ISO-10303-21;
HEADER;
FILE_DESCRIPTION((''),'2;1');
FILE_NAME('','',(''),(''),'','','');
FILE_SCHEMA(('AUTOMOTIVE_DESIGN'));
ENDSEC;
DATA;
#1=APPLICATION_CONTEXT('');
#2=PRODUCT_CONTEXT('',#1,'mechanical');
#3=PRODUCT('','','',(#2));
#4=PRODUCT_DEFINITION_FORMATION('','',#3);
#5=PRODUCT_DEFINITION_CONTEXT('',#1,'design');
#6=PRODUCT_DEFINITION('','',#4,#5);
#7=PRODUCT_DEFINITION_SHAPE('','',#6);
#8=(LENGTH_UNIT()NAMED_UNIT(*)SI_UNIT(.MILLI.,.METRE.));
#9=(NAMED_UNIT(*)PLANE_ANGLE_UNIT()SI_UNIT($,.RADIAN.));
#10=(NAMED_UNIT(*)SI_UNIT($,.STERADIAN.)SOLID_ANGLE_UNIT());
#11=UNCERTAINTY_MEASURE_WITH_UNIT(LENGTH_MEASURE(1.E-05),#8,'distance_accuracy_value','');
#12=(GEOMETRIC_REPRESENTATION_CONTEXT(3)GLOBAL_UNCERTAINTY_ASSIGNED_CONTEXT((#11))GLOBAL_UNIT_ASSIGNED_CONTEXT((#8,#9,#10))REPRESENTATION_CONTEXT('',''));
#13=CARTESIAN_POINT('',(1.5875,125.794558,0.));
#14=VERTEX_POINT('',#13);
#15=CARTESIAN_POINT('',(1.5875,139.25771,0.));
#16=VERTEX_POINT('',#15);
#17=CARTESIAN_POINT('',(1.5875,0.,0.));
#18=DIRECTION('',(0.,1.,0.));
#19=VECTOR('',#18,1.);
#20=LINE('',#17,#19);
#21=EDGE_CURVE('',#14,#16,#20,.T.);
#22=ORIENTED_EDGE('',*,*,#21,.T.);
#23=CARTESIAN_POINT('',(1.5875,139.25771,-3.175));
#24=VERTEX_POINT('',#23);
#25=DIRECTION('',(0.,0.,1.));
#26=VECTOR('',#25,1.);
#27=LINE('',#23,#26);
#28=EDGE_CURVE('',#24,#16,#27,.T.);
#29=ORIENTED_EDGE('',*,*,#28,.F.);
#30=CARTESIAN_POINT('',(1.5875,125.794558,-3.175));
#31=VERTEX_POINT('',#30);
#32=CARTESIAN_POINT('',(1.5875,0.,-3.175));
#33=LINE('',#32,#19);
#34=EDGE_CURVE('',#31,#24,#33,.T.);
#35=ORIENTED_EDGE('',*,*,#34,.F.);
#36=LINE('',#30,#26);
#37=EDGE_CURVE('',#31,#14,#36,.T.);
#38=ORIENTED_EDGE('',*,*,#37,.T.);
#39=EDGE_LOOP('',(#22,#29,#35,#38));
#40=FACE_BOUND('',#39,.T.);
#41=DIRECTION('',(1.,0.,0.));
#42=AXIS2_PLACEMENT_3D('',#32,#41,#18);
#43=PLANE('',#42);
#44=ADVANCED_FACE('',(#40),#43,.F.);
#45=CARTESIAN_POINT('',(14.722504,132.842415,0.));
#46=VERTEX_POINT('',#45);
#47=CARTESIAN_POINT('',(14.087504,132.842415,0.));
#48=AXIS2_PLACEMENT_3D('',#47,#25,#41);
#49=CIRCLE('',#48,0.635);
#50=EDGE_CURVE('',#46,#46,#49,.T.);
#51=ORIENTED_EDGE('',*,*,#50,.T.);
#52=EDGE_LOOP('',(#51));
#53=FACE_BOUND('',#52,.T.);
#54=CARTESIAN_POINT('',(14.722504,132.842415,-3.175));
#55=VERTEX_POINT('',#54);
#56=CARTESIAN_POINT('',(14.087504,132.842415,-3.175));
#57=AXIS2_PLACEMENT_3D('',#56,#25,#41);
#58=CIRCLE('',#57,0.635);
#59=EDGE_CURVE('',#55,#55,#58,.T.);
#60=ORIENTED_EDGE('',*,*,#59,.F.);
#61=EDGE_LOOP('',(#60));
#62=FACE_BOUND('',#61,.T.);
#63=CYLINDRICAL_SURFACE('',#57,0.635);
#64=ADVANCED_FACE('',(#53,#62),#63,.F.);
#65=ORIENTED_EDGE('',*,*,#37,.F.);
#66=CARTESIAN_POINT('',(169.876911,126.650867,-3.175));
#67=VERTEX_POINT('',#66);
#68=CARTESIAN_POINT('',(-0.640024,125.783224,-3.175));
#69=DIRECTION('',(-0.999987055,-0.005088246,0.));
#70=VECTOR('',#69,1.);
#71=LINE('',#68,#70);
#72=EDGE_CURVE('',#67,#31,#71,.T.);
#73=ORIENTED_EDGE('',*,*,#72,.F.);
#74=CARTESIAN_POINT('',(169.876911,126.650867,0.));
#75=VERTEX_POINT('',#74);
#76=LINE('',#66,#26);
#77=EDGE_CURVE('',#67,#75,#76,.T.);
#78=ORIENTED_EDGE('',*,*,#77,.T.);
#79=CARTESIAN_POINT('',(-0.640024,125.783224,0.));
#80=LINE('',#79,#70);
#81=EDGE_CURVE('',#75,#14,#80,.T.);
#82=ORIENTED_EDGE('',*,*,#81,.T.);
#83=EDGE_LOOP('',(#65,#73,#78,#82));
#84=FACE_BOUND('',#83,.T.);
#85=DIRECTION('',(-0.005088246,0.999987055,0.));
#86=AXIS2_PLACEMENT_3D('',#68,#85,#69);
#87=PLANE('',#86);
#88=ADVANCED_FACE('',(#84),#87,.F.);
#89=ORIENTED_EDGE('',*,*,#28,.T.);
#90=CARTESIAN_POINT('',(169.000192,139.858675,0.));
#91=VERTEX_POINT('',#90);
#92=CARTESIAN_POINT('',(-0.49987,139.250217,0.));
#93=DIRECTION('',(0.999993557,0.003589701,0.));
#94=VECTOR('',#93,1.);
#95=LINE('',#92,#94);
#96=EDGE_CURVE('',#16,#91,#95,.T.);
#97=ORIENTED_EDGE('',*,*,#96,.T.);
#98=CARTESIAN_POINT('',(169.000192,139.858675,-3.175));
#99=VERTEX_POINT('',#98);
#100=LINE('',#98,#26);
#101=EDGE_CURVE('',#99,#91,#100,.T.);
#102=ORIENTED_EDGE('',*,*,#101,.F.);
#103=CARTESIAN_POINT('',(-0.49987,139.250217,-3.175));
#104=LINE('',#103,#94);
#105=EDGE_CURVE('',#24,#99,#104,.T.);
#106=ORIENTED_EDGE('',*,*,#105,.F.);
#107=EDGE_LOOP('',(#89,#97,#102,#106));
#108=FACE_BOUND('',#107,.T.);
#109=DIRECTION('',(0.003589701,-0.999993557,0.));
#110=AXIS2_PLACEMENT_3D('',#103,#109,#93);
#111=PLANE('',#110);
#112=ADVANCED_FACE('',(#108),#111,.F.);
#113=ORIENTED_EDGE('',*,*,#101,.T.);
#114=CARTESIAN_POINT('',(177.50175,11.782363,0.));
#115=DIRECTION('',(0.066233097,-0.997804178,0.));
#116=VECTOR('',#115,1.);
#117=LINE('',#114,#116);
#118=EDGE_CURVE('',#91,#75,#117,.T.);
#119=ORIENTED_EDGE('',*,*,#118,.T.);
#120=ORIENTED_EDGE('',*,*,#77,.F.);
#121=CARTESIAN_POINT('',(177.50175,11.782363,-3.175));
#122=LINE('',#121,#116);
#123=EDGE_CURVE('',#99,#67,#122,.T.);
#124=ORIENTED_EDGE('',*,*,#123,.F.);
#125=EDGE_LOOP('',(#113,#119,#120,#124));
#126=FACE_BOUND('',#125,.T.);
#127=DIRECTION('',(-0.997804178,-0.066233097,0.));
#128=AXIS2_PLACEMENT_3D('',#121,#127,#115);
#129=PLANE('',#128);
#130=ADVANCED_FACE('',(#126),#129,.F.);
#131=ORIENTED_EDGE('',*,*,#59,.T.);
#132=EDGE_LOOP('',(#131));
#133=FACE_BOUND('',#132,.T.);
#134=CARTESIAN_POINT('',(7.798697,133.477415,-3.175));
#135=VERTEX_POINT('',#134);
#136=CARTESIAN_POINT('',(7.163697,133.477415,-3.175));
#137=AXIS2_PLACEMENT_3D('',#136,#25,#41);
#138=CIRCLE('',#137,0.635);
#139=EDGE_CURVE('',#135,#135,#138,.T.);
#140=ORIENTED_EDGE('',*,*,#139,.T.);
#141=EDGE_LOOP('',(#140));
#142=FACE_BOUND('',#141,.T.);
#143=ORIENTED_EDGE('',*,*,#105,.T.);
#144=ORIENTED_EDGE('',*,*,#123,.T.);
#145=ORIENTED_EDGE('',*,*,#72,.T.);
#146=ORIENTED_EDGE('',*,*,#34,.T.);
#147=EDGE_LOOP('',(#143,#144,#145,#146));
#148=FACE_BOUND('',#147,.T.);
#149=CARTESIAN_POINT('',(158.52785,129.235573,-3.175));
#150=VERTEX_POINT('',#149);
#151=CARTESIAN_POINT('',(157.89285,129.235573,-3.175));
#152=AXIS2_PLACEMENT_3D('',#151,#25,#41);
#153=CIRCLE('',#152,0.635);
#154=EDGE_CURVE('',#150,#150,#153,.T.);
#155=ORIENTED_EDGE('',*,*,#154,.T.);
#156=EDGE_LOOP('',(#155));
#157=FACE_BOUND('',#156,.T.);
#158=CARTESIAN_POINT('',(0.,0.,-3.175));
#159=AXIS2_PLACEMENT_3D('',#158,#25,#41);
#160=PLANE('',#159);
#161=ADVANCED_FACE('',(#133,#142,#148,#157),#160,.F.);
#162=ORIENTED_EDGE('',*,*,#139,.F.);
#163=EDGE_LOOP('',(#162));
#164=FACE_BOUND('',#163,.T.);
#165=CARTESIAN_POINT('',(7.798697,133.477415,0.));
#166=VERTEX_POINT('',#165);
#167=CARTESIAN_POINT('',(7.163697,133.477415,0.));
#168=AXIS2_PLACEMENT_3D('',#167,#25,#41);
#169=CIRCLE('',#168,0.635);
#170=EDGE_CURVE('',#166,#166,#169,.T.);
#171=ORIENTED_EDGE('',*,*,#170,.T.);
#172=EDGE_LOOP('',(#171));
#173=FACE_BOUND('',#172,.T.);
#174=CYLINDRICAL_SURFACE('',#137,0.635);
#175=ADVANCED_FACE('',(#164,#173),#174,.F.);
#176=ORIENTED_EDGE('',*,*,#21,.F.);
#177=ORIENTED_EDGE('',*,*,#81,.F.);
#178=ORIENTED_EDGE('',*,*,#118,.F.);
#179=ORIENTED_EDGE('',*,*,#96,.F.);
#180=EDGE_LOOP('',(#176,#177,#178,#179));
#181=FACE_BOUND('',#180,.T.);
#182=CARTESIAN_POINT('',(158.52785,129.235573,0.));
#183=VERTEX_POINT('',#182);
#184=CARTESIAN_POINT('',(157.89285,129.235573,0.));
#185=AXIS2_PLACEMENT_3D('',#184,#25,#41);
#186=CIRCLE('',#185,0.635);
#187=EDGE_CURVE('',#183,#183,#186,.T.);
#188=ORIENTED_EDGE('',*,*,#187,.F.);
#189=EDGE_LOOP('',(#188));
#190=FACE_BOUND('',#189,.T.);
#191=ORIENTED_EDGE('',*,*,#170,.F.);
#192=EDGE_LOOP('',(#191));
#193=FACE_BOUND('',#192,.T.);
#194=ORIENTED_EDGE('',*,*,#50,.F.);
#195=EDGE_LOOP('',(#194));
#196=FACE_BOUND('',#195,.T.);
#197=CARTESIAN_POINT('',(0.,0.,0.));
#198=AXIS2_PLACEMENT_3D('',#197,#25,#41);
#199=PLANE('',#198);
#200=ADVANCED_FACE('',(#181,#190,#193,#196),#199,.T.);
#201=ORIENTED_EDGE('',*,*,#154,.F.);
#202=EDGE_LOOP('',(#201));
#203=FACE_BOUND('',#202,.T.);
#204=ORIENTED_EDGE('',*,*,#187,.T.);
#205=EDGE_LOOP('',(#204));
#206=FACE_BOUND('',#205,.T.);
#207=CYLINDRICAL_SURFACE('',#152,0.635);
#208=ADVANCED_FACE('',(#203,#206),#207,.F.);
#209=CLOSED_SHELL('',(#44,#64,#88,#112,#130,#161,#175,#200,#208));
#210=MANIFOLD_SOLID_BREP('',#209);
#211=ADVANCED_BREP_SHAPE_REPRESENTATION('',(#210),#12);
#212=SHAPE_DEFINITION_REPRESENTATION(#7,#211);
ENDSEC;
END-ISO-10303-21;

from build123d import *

# Parameters (mm, degrees)
SKETCH1_R           = 0.635
BOSS_EXTRUDE1_DEPTH = 3.175


with BuildPart() as part:
    # Sketch1 → Boss-Extrude1 (new body)
    with BuildSketch(Plane.XY):
        Polygon((169.876910838, 126.650867177), (1.5875, 125.794558197), (1.5875, 139.257710065), (169.000191682, 139.858675371), align=None)
        with Locations((157.892850269, 129.235572603)):
            Circle(SKETCH1_R, mode=Mode.SUBTRACT)
        with Locations((14.087503577, 132.842415442)):
            Circle(SKETCH1_R, mode=Mode.SUBTRACT)
        with Locations((7.163696951, 133.477415442)):
            Circle(SKETCH1_R, mode=Mode.SUBTRACT)
    extrude(amount=-BOSS_EXTRUDE1_DEPTH)


solid = part.part
